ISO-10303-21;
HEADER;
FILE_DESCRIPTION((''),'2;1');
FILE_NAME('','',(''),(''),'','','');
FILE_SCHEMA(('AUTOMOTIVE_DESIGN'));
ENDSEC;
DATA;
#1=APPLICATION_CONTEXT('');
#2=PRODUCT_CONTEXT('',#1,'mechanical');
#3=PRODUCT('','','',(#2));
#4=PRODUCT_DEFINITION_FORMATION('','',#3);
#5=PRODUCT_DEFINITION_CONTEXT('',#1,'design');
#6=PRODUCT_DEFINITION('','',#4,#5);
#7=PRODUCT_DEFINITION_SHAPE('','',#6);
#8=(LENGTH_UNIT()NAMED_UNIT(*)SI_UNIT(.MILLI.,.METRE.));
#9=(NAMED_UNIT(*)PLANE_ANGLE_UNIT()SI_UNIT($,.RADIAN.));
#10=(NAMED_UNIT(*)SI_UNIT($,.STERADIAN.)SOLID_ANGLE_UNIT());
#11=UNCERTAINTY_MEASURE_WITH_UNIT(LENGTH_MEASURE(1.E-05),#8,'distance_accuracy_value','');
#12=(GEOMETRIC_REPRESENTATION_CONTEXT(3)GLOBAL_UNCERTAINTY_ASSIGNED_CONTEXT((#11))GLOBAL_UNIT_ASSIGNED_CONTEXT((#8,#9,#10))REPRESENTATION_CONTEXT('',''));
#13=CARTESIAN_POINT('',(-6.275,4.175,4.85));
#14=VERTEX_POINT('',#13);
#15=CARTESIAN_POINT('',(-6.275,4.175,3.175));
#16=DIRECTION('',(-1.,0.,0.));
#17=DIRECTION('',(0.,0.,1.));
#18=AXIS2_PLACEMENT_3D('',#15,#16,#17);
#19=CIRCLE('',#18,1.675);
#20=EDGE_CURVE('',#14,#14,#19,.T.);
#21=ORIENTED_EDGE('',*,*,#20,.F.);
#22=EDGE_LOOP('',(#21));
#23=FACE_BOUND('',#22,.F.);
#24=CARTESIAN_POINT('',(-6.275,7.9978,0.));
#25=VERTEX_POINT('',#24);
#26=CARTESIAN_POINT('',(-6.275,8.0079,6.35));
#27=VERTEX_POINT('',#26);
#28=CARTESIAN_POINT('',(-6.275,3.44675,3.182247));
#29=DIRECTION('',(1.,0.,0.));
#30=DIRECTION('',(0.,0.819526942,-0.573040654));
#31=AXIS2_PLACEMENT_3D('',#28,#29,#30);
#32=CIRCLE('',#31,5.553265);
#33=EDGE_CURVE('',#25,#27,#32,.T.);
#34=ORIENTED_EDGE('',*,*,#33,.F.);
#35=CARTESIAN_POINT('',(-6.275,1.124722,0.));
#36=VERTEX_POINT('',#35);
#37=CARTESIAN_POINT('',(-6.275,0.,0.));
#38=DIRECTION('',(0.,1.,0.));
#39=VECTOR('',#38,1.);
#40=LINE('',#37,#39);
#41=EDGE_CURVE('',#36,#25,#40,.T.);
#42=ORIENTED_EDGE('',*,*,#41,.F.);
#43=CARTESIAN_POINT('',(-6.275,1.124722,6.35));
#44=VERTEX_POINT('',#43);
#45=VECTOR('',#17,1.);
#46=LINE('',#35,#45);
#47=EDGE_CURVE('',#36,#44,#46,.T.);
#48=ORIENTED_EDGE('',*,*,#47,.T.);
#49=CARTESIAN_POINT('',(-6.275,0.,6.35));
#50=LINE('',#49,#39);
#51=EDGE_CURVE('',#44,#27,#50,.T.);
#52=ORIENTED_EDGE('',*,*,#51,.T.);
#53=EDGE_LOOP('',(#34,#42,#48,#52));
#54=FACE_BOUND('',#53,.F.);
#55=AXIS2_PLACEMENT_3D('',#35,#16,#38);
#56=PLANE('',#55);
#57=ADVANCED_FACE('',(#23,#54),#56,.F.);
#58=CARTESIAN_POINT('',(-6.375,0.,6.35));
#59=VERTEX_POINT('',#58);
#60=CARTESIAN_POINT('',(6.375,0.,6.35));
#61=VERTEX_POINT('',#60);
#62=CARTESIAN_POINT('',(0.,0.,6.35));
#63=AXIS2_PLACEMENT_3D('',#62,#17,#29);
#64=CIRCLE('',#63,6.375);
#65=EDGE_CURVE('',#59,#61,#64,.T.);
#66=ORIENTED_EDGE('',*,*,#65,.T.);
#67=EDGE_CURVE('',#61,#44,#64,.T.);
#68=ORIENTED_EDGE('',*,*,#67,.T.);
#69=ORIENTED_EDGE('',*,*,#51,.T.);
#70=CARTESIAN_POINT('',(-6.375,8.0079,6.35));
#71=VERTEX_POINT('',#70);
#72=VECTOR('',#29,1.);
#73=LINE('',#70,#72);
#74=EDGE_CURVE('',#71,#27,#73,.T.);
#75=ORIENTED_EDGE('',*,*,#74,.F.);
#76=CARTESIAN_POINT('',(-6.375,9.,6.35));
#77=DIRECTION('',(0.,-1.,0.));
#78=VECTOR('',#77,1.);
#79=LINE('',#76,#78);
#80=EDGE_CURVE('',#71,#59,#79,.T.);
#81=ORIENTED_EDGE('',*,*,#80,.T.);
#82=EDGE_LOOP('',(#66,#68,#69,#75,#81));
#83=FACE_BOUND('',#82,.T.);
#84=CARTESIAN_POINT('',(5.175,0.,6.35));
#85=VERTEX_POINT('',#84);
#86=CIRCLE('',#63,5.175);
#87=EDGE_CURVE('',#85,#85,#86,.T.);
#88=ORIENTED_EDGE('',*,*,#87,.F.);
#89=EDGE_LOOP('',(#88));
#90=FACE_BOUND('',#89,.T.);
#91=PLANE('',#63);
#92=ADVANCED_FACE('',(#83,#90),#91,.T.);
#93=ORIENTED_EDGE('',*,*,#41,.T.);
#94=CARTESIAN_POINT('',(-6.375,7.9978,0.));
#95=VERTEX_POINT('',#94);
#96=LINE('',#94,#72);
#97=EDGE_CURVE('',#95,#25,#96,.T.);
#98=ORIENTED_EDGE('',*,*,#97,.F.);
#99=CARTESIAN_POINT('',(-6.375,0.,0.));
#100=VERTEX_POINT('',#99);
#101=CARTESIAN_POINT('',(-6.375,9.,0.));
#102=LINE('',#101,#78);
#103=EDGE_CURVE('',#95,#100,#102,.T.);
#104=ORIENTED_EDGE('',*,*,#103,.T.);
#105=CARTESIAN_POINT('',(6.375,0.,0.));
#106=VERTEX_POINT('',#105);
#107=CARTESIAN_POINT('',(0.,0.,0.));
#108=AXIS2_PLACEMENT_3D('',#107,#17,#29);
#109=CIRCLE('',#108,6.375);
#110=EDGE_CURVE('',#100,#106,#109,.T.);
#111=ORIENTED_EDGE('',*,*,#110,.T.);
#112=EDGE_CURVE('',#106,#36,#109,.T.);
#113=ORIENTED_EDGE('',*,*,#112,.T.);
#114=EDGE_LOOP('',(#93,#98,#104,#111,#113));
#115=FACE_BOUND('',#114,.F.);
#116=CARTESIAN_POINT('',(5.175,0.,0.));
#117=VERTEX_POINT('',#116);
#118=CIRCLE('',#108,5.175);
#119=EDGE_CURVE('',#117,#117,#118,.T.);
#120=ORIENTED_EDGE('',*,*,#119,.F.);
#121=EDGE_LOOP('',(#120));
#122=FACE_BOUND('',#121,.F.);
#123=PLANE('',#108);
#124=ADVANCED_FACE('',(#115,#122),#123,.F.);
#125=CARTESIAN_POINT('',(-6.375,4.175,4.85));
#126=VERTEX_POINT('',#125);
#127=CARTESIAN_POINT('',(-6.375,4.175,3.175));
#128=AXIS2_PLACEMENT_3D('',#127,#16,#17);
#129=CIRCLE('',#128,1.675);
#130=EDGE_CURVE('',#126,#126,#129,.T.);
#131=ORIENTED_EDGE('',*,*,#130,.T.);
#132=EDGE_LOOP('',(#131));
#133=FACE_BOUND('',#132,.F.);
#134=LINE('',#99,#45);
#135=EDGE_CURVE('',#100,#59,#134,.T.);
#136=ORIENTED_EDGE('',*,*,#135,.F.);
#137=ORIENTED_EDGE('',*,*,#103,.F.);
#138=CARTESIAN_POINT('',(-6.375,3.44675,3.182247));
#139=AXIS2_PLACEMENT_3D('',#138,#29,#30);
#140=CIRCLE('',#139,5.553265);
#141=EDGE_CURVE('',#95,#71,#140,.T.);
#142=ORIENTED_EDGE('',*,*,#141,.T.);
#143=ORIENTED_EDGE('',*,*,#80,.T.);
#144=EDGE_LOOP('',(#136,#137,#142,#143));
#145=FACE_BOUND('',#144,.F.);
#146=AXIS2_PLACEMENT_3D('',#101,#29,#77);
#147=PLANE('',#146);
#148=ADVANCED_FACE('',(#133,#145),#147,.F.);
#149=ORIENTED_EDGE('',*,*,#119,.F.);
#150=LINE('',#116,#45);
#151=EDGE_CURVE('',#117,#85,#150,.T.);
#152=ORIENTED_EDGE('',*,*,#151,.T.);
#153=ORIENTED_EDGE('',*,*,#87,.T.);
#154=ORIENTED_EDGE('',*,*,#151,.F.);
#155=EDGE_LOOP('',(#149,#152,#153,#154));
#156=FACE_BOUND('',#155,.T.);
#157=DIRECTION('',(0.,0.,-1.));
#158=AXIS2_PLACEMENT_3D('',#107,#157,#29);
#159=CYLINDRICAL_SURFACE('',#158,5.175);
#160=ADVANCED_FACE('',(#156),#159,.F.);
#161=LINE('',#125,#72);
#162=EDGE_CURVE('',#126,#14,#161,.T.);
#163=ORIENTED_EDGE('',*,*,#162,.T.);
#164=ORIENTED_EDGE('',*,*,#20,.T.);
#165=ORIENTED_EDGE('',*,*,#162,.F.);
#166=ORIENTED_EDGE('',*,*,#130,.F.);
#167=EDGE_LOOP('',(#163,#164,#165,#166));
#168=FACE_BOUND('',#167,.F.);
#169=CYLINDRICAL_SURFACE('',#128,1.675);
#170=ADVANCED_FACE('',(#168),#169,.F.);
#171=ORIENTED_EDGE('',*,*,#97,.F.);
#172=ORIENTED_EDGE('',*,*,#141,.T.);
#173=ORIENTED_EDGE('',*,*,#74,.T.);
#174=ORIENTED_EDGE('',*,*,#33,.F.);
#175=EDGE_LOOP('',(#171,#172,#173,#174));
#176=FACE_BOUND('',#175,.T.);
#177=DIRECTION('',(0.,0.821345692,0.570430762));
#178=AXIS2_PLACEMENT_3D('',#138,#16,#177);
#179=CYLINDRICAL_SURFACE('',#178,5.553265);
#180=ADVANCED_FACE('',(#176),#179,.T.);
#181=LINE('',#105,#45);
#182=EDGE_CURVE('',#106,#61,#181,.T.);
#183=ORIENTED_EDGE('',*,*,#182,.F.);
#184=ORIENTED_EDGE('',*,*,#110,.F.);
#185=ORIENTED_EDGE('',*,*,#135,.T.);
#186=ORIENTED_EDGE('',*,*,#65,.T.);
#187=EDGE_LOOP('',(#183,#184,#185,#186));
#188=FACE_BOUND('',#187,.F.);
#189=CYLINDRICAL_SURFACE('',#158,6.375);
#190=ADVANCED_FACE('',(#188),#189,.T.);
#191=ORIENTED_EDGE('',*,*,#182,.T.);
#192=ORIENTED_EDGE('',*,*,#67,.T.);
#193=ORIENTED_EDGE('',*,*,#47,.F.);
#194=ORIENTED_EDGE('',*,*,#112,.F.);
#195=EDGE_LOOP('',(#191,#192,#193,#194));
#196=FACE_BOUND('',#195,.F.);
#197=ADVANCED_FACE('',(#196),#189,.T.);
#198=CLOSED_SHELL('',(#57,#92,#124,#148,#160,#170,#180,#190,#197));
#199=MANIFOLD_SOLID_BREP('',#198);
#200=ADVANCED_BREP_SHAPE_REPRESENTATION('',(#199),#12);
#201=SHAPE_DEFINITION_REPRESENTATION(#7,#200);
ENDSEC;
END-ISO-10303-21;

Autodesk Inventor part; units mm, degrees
ref_plane "YZ Plane" through (0, 0, 0) normal (1, 0, 0) x (0, 1, 0)
ref_plane "XZ Plane" through (0, 0, 0) normal (0, 1, 0) x (-1, 0, 0)
ref_plane "XY Plane" through (0, 0, 0) normal (0, 0, 1) x (1, 0, 0)
sketch "Sketch1" plane through (0, 0, 0) normal (0, 0, 1) x (1, 0, 0)
  circle A0 centre (0, 0) radius 5.175
  circle A1 centre (0, 0) radius 6.375
  line L0 (-6.375, 0) -> (-6.275, 0)
  line L1 (-6.275, 0) -> (-6.275, 9)
  line L2 (-6.275, 9) -> (-6.375, 9)
  line L3 (-6.375, 9) -> (-6.375, 0)
  point P0 (-6.275, 1.1247)
  dimension "d1" = 12.75
  dimension "d0" = 10.35
  dimension "d2" = 9
  dimension "d3" = 0.1
extrude "Extrusion1" add sketch "Sketch1" along normal blind 6.35
sketch "Sketch2" plane through (-6.375, 0, 0) normal (-1, 0, 0) x (0, 0, 1)
  line L0 (6.35, 1.1247) -> (6.35, 9) projected
  line L1 (0, 1.1247) -> (0, 9) projected
  arc A0 (6.35, 8.0079) -> (0, 7.9978) centre (3.1822, 3.4466) ccw
  circle A1 centre (3.175, 4.175) radius 1.675
  line L2 (0, 9) -> (6.35, 9) projected
  line L3 (0, 9) -> (6.35, 9)
  point P0 (0, 0)
  point P1 (3.1734, 9)
  point P2 (3.1894, 9)
  dimension "d6" = 4.825
  dimension "d7" = 3.35
extrude "Extrusion2" cut sketch "Sketch2" against normal up to surface (0.1 mm away)
properties part number "LCF  040 04 025S (on 10.35mm hub)"
